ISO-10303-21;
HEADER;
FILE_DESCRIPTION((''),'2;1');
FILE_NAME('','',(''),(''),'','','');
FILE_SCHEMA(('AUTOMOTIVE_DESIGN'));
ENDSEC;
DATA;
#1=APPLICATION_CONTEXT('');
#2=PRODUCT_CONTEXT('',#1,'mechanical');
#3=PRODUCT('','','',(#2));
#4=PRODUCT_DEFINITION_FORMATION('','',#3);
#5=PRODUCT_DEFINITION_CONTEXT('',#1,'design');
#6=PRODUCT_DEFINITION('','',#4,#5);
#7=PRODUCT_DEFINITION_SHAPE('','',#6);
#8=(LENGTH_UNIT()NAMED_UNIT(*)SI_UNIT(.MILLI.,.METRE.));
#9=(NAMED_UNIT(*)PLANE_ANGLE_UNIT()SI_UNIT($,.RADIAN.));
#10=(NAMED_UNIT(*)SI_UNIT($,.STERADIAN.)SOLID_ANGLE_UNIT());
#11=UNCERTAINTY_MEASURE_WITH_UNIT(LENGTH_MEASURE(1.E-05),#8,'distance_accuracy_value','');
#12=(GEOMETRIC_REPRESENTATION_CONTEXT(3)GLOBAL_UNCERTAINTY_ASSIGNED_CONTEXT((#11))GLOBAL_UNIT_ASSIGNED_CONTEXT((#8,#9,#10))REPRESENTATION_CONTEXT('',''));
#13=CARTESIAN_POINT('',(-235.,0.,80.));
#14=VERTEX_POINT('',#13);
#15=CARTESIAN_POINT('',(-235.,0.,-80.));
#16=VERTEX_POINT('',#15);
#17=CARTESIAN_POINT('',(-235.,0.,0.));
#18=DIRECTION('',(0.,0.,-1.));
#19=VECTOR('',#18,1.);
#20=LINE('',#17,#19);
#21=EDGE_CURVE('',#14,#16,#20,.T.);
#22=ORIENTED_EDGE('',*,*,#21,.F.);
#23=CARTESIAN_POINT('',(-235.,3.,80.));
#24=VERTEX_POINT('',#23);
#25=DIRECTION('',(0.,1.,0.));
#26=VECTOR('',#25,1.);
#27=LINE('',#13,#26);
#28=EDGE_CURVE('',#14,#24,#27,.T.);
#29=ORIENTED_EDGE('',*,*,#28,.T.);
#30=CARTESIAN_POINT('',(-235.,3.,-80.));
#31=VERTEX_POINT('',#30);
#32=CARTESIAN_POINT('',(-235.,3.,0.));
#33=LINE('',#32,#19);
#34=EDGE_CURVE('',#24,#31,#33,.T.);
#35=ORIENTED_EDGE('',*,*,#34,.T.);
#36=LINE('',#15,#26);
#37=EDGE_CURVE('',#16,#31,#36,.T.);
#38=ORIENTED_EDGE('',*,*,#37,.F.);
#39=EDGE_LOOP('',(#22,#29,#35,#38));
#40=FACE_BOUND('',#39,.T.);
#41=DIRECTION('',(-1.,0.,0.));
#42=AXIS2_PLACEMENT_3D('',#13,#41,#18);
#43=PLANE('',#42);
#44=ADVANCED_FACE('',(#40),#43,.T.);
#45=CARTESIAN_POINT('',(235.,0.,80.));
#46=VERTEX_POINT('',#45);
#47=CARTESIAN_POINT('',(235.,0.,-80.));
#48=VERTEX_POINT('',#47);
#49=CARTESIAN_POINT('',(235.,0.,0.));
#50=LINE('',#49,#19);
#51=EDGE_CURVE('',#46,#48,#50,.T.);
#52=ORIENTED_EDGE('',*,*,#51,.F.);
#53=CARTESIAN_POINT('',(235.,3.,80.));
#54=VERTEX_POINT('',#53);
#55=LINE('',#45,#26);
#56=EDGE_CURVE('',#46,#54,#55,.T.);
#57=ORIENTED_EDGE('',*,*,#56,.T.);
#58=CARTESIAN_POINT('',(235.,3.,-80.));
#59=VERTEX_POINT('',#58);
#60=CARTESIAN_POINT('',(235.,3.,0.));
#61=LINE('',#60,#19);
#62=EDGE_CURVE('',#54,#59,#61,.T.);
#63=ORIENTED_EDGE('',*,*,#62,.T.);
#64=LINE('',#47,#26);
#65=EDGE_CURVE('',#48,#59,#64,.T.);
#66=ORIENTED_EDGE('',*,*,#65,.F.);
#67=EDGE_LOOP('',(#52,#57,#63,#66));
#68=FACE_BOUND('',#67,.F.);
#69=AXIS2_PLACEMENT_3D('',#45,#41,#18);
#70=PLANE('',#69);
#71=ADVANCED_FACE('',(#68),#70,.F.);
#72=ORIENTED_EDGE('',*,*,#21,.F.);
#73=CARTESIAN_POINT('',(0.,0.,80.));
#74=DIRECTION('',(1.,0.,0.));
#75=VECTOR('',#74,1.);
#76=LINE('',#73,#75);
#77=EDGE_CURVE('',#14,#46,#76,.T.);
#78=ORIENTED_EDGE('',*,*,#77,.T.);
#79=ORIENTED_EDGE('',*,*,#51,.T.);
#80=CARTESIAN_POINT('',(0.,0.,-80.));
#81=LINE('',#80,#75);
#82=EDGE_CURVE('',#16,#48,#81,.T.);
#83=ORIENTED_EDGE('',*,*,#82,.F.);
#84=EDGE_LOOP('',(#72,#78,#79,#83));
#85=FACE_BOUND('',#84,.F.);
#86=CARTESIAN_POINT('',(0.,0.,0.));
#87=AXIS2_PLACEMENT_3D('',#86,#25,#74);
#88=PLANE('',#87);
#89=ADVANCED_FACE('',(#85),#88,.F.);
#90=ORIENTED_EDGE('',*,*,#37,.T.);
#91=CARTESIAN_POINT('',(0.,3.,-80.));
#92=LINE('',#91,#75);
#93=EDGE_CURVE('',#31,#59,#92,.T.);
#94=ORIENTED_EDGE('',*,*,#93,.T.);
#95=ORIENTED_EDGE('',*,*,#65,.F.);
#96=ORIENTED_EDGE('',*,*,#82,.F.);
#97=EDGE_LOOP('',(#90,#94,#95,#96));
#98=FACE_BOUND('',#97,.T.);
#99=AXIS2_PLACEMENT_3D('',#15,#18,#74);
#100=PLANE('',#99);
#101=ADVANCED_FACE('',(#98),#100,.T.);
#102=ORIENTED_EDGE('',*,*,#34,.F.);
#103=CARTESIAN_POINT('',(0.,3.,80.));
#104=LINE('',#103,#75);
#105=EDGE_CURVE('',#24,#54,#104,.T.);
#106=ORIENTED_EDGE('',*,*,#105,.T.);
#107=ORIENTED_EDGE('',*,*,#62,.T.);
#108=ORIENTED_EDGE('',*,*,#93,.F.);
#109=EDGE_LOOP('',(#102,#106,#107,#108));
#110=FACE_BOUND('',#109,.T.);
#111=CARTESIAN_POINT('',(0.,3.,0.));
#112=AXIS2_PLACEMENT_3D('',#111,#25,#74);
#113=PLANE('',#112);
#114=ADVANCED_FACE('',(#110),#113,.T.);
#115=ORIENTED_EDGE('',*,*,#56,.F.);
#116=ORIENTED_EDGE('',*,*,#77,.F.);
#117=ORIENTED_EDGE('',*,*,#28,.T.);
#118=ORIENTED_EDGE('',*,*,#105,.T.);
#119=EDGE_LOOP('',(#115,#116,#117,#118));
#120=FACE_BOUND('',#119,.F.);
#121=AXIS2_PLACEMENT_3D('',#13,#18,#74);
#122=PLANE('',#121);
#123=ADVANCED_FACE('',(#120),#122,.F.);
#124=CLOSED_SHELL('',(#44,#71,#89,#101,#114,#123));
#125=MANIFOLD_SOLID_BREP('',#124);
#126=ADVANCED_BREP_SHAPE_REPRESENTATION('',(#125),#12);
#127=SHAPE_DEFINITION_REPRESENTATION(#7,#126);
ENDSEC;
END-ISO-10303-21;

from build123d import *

# Parameters (mm, degrees)
SKETCH1_W      = 470
SKETCH1_H      = 160
EXTRUDE1_DEPTH = 3


with BuildPart() as part:
    # Sketch1 → Extrude1 (new body)
    with BuildSketch(Plane(origin=(0, 0, 0), x_dir=(1, 0, 0), z_dir=(0, 1, 0))):
        Rectangle(SKETCH1_W, SKETCH1_H)
    extrude(amount=EXTRUDE1_DEPTH)


solid = part.part
